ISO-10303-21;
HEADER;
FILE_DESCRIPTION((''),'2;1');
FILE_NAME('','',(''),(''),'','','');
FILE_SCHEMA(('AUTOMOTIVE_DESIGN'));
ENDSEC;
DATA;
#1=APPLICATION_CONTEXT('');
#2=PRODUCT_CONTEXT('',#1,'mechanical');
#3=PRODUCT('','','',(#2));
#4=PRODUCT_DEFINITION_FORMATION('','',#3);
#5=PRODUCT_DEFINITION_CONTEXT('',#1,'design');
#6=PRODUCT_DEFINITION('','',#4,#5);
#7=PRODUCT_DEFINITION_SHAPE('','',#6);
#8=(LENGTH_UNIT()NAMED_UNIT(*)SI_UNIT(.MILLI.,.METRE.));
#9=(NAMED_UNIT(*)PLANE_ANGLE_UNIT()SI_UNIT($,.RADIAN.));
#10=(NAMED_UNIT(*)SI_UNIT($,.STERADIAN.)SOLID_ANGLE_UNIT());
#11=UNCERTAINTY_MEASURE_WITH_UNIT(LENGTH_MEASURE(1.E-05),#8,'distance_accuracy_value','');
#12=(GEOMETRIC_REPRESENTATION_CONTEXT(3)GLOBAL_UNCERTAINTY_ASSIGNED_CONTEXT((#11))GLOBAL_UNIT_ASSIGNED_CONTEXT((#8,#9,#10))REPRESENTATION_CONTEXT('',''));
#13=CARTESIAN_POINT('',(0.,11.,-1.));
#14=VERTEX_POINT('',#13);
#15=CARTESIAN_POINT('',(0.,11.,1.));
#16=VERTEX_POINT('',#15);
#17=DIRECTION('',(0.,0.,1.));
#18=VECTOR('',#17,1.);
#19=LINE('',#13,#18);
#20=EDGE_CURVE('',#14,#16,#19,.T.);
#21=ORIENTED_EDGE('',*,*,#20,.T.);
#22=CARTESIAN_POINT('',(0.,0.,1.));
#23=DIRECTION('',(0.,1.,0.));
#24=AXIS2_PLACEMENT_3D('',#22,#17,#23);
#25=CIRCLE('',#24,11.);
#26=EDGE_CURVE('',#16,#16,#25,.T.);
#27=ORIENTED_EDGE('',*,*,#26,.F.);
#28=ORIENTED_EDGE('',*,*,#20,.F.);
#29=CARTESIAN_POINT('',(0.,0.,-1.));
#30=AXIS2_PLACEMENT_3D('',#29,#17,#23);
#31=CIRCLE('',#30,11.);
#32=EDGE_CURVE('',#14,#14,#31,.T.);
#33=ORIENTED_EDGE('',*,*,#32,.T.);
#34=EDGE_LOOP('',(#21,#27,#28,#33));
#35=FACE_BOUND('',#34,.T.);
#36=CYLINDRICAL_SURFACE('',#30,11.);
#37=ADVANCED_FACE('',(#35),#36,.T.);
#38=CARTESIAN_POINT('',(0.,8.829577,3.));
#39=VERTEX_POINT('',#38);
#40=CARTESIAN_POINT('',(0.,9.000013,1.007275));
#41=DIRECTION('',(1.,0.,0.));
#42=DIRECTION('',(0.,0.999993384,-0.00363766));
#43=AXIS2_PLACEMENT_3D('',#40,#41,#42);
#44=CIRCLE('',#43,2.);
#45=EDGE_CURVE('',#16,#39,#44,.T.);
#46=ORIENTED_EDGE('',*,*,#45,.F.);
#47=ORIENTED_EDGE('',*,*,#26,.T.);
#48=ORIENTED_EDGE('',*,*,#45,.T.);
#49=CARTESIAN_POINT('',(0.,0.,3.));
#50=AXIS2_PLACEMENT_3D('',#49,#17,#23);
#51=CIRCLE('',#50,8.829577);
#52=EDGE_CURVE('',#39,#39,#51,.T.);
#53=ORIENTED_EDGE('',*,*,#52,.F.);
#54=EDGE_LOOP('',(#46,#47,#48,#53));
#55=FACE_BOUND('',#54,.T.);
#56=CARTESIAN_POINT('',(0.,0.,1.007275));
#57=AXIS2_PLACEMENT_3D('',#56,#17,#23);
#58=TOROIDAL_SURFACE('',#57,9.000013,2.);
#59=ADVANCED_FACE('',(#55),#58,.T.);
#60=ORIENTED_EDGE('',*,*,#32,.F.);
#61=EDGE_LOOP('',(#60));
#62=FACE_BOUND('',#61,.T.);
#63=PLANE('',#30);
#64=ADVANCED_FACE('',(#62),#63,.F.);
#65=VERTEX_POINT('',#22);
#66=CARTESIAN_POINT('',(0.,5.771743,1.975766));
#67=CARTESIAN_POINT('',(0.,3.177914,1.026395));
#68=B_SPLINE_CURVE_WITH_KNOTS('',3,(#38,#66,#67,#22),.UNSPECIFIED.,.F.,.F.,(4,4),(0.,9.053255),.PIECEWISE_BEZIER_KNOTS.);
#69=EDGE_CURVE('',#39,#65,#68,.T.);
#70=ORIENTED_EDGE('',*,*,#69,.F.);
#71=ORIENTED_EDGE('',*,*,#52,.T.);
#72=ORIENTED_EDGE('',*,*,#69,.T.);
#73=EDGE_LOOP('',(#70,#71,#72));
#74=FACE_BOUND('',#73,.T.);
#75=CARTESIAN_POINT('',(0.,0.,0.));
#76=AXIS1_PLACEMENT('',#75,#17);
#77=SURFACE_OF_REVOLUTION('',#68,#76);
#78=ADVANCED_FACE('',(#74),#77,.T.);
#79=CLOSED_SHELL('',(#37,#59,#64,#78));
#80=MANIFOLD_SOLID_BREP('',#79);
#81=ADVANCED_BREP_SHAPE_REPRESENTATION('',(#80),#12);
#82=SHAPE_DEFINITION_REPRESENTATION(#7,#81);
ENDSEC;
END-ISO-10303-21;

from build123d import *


with BuildPart() as f1:
    # F0 (on Right) → F1 (revolve)
    with BuildSketch(Plane.YZ):
        with BuildLine():
            Line((11, -1), (11, 1))
            ThreePointArc((11, 1), (10.355304, 2.478053), (8.829577, 3))
            add(Edge.make_bspline(
                [(8.829577, 3), (5.771743, 1.975766), (3.177914, 1.026395), (0, 1)],
                knots=[0, 0, 0, 0, 9.053255, 9.053255, 9.053255, 9.053255], degree=3))
            Line((0, 1), (0, -1))
            Line((0, -1), (11, -1))
        make_face()
    revolve(axis=Axis((0, 0, 0), (0, 0, 1)))


solid = f1.part
